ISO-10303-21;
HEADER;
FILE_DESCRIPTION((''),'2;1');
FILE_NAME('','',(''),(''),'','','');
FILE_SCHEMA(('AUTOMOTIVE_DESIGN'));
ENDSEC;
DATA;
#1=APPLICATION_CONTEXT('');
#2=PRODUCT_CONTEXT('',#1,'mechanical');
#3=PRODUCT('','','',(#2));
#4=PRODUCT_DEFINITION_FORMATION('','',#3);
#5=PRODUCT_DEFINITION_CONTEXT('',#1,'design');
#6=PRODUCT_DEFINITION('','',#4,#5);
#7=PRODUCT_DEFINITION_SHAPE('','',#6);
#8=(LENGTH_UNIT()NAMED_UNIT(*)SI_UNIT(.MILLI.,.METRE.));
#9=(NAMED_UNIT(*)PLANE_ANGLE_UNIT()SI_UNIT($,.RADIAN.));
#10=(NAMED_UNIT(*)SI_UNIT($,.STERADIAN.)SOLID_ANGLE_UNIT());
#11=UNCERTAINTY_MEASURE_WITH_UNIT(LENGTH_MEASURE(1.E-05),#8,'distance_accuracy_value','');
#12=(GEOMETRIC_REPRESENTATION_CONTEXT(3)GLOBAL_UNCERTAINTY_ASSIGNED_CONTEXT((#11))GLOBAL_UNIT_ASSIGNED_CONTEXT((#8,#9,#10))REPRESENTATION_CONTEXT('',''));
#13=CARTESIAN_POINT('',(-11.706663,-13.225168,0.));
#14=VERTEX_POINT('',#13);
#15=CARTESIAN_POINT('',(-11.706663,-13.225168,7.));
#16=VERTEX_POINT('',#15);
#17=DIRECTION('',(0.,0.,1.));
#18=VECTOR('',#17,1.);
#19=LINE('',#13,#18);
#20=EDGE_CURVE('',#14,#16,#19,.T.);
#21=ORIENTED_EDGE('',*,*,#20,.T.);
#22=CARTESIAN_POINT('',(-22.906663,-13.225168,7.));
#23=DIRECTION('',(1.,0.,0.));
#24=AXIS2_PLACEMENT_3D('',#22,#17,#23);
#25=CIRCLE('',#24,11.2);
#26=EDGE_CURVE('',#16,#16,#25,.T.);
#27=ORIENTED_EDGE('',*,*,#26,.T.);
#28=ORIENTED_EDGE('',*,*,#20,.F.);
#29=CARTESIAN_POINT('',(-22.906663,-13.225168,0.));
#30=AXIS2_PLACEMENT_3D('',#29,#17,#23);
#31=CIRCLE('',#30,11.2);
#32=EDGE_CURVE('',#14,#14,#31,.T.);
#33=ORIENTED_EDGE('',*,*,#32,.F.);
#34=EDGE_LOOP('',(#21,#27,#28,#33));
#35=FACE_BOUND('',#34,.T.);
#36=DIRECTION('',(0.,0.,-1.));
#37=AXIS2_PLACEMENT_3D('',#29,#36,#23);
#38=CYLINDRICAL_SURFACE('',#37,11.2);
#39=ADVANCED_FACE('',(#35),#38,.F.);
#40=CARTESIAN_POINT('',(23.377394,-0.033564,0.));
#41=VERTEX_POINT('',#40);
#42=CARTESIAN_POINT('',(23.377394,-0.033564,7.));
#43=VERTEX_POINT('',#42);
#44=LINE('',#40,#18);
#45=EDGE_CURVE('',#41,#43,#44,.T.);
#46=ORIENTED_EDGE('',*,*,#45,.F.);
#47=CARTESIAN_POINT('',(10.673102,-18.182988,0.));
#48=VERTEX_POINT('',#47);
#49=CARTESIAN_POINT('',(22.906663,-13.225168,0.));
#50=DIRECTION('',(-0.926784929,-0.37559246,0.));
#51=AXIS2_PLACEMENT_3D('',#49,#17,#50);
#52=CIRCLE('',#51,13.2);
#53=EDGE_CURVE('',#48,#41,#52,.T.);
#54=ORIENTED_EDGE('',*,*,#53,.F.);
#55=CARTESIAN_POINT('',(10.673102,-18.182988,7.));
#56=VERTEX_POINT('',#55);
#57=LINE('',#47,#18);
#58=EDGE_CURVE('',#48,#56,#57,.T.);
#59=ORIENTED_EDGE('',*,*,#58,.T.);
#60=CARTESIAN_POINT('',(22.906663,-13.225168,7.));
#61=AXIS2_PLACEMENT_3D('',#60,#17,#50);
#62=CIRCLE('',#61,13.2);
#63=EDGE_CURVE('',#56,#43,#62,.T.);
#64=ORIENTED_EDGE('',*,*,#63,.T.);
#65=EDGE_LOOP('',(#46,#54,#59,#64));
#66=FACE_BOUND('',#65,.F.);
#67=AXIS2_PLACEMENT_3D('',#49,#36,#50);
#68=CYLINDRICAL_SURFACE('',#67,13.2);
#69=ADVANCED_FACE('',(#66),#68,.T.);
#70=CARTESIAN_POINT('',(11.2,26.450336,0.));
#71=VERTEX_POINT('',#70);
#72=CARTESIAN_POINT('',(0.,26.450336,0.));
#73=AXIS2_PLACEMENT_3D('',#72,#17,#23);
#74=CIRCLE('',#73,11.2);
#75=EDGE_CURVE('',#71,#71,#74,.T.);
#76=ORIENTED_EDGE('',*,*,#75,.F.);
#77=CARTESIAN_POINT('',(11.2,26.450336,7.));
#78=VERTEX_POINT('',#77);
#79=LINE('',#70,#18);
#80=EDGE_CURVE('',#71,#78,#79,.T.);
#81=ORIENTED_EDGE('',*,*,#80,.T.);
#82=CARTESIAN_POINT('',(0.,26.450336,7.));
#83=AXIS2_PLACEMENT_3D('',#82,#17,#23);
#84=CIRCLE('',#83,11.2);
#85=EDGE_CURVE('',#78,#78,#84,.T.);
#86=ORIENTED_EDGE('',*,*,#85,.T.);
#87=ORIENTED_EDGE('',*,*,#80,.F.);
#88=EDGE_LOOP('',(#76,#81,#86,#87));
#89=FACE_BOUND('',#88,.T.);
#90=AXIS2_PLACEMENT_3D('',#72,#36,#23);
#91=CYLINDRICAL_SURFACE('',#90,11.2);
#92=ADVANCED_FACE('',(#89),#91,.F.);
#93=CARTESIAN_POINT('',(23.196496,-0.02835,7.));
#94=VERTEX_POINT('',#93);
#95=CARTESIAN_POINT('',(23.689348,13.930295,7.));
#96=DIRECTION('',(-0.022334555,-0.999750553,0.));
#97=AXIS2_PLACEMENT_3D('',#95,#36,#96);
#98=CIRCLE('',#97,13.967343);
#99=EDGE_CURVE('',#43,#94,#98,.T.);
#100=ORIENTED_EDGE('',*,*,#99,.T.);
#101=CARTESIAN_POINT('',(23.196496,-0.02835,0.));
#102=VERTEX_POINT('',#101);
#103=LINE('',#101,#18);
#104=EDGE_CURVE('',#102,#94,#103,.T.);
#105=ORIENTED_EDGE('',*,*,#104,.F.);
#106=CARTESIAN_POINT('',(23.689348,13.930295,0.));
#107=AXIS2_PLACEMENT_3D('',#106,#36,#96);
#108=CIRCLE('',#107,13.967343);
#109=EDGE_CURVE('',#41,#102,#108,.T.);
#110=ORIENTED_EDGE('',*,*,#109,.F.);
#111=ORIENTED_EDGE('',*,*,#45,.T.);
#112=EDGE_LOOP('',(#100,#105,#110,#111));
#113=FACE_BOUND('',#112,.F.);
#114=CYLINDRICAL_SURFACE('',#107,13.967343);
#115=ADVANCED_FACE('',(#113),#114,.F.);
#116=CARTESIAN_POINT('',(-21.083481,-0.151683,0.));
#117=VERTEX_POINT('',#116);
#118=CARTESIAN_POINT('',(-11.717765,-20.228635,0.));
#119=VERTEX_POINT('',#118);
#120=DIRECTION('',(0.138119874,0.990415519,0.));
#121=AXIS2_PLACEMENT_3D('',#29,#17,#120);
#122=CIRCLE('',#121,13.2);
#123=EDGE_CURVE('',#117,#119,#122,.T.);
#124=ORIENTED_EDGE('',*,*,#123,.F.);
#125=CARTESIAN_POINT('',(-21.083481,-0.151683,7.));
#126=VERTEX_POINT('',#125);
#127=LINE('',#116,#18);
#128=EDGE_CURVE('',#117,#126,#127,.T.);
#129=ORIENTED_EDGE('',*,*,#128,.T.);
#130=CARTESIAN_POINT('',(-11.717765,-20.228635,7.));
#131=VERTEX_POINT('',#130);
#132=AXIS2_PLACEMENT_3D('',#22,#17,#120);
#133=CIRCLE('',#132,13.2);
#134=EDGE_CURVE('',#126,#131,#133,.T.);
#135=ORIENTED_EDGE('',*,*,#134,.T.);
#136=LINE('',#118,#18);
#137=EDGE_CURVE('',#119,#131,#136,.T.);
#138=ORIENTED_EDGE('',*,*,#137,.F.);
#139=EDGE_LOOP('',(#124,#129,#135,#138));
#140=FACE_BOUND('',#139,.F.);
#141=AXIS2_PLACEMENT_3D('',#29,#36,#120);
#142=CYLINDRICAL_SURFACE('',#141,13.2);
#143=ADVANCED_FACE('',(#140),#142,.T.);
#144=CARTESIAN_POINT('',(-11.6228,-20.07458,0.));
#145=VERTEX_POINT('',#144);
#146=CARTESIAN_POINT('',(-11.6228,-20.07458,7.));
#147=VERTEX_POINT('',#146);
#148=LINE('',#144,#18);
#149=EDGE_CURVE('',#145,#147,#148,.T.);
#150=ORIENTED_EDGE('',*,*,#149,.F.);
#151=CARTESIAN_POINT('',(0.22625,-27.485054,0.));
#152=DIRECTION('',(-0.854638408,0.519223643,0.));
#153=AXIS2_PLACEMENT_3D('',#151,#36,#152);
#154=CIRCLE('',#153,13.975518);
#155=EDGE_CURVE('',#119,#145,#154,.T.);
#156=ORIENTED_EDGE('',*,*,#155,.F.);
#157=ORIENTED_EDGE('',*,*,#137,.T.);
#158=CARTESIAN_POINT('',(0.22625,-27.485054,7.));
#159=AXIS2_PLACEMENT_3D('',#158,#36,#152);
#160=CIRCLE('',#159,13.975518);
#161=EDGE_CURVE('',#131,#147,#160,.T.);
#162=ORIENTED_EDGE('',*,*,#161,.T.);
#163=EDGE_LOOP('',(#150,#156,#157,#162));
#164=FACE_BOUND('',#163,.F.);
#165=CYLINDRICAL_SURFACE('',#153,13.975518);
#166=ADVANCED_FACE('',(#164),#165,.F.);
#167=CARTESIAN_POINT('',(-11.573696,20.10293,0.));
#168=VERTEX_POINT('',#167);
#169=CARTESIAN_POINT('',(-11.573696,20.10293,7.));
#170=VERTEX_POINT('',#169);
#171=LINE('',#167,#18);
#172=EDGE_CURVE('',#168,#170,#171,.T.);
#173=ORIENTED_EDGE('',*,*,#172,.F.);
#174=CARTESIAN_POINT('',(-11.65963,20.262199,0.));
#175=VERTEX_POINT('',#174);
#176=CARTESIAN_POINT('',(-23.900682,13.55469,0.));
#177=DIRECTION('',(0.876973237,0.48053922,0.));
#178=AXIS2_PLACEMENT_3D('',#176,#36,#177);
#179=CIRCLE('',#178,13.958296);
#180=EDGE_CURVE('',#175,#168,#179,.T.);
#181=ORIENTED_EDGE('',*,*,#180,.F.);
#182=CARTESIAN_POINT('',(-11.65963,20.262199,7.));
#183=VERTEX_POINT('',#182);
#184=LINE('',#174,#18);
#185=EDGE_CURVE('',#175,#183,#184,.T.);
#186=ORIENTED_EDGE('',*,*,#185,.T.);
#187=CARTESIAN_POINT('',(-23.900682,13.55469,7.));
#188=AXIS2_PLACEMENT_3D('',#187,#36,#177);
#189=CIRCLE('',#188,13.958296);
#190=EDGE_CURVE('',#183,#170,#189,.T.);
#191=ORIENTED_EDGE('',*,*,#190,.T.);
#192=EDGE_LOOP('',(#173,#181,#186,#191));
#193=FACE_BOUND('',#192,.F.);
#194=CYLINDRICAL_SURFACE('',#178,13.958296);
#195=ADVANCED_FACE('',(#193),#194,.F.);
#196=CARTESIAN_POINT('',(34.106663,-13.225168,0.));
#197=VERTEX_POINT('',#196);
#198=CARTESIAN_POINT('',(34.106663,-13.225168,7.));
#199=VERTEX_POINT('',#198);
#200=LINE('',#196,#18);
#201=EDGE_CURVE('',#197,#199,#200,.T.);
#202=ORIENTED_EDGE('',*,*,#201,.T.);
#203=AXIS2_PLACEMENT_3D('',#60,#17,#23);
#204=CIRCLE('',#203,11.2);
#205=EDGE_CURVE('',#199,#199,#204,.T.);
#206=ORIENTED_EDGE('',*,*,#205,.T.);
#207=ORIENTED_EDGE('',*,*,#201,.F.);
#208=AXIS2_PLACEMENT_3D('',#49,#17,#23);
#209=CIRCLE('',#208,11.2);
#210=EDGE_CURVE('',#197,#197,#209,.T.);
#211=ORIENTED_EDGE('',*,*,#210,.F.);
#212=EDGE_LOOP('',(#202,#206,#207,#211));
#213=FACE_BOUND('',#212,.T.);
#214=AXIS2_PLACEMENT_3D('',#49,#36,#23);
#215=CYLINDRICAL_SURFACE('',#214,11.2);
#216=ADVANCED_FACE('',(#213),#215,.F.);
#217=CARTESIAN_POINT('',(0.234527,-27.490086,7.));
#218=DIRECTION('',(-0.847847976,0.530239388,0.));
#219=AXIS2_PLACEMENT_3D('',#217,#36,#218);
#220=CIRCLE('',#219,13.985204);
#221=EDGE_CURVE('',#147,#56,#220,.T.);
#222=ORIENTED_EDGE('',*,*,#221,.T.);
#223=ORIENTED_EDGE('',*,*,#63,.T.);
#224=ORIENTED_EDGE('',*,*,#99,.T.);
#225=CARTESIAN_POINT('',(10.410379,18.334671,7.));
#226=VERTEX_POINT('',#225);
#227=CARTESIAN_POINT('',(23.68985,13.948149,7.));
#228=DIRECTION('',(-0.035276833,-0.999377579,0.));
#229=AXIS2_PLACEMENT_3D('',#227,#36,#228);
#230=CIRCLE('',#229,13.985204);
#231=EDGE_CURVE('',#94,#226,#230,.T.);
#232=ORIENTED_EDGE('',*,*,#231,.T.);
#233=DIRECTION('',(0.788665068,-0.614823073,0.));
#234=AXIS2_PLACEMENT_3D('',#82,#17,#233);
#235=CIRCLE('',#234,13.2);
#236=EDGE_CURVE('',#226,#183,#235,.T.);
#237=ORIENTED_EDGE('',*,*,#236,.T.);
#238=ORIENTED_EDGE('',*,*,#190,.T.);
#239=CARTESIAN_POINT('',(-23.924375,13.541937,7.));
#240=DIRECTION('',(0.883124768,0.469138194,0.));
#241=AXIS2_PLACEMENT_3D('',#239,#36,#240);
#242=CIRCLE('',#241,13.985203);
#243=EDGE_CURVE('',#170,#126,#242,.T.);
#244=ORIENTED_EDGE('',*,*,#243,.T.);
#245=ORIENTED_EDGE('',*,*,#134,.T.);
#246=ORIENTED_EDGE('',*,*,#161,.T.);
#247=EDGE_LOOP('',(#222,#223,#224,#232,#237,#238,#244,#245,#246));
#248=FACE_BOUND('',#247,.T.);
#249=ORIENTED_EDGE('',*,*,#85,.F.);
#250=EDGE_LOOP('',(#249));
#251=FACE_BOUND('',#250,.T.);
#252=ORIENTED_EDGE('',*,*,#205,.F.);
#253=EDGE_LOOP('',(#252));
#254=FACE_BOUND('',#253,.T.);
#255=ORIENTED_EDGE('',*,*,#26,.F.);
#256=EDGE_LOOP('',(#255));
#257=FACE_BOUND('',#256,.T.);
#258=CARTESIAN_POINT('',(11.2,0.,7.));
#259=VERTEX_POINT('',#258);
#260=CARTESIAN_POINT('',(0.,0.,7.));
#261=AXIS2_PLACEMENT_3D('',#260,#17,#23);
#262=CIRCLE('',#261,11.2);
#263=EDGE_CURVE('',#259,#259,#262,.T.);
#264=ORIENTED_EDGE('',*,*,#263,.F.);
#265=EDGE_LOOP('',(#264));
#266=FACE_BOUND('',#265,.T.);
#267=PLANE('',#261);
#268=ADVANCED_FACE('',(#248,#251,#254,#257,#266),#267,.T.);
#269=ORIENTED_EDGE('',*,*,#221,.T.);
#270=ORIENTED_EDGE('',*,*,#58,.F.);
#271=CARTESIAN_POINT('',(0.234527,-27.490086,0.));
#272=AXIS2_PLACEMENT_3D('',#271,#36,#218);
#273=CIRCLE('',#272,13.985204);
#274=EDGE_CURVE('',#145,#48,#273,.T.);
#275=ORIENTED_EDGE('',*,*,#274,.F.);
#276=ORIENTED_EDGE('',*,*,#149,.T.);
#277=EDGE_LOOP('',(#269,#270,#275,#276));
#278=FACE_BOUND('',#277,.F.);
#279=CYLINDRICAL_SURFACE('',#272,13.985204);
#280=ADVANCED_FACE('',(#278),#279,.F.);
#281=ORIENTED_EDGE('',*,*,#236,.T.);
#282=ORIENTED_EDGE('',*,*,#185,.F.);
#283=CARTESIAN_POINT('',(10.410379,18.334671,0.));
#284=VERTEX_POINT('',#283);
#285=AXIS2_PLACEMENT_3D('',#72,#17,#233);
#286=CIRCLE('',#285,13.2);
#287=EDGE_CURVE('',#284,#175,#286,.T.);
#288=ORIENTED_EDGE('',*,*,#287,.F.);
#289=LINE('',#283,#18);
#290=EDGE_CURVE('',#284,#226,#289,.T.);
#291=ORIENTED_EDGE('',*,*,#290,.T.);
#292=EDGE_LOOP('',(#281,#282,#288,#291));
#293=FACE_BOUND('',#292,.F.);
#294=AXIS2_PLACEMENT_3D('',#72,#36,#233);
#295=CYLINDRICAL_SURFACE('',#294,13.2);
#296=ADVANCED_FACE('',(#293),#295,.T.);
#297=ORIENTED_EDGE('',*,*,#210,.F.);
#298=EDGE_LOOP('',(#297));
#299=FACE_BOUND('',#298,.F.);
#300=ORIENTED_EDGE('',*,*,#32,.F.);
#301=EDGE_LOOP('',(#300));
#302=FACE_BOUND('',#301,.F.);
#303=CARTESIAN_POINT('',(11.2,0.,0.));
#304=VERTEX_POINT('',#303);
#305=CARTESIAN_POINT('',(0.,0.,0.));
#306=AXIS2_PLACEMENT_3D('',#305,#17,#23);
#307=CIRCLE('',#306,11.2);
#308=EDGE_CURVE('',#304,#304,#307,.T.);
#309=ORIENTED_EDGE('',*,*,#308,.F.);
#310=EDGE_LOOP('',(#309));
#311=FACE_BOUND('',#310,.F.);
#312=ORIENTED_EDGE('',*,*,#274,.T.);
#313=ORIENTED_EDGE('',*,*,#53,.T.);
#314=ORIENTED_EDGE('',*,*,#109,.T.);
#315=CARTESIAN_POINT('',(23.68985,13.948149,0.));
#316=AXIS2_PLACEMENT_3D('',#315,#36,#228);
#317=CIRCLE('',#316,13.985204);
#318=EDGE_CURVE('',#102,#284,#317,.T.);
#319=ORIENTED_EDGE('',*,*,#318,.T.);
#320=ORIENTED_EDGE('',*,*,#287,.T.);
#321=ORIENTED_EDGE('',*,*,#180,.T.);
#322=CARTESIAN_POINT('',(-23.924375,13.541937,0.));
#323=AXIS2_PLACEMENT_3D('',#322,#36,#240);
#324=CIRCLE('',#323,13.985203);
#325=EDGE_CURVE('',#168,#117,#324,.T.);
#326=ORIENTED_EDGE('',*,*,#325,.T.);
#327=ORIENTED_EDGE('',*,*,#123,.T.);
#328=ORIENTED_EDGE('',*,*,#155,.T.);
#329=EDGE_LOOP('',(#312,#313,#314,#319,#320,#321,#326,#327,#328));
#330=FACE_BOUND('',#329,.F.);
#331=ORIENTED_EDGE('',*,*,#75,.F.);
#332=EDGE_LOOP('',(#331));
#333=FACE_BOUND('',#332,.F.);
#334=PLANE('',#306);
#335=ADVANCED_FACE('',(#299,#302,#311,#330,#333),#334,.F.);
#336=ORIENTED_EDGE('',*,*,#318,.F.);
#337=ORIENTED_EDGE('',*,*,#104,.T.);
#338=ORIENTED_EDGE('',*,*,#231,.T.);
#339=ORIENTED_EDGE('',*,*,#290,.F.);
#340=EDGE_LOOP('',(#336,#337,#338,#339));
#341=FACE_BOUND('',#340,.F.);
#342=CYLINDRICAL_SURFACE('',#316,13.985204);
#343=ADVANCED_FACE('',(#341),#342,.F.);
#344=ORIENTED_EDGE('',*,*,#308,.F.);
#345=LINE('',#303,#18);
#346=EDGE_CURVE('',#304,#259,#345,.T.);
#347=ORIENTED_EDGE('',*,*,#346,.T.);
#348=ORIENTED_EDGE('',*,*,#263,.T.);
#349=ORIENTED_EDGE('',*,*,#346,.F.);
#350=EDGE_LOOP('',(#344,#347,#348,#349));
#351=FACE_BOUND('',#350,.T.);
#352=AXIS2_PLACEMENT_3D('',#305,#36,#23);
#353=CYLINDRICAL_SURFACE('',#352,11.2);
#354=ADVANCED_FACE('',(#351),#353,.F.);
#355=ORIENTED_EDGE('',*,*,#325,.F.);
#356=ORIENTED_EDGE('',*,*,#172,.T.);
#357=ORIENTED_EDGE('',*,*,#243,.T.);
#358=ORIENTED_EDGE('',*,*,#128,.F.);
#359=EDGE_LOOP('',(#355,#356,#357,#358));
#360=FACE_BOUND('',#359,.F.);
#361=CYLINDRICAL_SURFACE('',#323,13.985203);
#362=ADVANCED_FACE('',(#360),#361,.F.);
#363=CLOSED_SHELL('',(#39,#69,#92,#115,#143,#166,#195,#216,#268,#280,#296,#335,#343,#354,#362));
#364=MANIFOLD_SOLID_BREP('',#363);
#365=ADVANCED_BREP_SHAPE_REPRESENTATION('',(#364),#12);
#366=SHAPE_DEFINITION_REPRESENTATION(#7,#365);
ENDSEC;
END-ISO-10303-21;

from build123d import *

# Parameters (mm, degrees)
F0_R     = 11.2
F1_DEPTH = 7


with BuildPart() as f1:
    # F0 (on Top) → F1 (new body)
    with BuildSketch(Plane.XY):
        with BuildLine():
            ThreePointArc((23.196496, -0.02835), (12.212794, 5.956709), (10.410379, 18.334671))
            ThreePointArc((10.410379, 18.334671), (1.148476, 39.600279), (-11.65963, 20.262199))
            ThreePointArc((-11.65963, 20.262199), (-11.616405, 20.182704), (-11.573696, 20.10293))
            ThreePointArc((-11.573696, 20.10293), (-11.265058, 7.598235), (-21.083481, -0.151683))
            ThreePointArc((-21.083481, -0.151683), (-34.869086, -18.80553), (-11.717765, -20.228635))
            ThreePointArc((-11.717765, -20.228635), (-11.670532, -20.151454), (-11.6228, -20.07458))
            ThreePointArc((-11.6228, -20.07458), (-0.947736, -13.554944), (10.673102, -18.182988))
            ThreePointArc((10.673102, -18.182988), (33.720609, -20.794749), (23.377394, -0.033564))
            ThreePointArc((23.377394, -0.033564), (23.286937, -0.03125), (23.196496, -0.02835))
        make_face()
        with Locations((-22.906663, -13.225168)):
            Circle(F0_R, mode=Mode.SUBTRACT)
        with Locations((22.906663, -13.225168)):
            Circle(F0_R, mode=Mode.SUBTRACT)
        Circle(F0_R, mode=Mode.SUBTRACT)
        with Locations((0, 26.450336)):
            Circle(F0_R, mode=Mode.SUBTRACT)
    extrude(amount=F1_DEPTH)


solid = f1.part
